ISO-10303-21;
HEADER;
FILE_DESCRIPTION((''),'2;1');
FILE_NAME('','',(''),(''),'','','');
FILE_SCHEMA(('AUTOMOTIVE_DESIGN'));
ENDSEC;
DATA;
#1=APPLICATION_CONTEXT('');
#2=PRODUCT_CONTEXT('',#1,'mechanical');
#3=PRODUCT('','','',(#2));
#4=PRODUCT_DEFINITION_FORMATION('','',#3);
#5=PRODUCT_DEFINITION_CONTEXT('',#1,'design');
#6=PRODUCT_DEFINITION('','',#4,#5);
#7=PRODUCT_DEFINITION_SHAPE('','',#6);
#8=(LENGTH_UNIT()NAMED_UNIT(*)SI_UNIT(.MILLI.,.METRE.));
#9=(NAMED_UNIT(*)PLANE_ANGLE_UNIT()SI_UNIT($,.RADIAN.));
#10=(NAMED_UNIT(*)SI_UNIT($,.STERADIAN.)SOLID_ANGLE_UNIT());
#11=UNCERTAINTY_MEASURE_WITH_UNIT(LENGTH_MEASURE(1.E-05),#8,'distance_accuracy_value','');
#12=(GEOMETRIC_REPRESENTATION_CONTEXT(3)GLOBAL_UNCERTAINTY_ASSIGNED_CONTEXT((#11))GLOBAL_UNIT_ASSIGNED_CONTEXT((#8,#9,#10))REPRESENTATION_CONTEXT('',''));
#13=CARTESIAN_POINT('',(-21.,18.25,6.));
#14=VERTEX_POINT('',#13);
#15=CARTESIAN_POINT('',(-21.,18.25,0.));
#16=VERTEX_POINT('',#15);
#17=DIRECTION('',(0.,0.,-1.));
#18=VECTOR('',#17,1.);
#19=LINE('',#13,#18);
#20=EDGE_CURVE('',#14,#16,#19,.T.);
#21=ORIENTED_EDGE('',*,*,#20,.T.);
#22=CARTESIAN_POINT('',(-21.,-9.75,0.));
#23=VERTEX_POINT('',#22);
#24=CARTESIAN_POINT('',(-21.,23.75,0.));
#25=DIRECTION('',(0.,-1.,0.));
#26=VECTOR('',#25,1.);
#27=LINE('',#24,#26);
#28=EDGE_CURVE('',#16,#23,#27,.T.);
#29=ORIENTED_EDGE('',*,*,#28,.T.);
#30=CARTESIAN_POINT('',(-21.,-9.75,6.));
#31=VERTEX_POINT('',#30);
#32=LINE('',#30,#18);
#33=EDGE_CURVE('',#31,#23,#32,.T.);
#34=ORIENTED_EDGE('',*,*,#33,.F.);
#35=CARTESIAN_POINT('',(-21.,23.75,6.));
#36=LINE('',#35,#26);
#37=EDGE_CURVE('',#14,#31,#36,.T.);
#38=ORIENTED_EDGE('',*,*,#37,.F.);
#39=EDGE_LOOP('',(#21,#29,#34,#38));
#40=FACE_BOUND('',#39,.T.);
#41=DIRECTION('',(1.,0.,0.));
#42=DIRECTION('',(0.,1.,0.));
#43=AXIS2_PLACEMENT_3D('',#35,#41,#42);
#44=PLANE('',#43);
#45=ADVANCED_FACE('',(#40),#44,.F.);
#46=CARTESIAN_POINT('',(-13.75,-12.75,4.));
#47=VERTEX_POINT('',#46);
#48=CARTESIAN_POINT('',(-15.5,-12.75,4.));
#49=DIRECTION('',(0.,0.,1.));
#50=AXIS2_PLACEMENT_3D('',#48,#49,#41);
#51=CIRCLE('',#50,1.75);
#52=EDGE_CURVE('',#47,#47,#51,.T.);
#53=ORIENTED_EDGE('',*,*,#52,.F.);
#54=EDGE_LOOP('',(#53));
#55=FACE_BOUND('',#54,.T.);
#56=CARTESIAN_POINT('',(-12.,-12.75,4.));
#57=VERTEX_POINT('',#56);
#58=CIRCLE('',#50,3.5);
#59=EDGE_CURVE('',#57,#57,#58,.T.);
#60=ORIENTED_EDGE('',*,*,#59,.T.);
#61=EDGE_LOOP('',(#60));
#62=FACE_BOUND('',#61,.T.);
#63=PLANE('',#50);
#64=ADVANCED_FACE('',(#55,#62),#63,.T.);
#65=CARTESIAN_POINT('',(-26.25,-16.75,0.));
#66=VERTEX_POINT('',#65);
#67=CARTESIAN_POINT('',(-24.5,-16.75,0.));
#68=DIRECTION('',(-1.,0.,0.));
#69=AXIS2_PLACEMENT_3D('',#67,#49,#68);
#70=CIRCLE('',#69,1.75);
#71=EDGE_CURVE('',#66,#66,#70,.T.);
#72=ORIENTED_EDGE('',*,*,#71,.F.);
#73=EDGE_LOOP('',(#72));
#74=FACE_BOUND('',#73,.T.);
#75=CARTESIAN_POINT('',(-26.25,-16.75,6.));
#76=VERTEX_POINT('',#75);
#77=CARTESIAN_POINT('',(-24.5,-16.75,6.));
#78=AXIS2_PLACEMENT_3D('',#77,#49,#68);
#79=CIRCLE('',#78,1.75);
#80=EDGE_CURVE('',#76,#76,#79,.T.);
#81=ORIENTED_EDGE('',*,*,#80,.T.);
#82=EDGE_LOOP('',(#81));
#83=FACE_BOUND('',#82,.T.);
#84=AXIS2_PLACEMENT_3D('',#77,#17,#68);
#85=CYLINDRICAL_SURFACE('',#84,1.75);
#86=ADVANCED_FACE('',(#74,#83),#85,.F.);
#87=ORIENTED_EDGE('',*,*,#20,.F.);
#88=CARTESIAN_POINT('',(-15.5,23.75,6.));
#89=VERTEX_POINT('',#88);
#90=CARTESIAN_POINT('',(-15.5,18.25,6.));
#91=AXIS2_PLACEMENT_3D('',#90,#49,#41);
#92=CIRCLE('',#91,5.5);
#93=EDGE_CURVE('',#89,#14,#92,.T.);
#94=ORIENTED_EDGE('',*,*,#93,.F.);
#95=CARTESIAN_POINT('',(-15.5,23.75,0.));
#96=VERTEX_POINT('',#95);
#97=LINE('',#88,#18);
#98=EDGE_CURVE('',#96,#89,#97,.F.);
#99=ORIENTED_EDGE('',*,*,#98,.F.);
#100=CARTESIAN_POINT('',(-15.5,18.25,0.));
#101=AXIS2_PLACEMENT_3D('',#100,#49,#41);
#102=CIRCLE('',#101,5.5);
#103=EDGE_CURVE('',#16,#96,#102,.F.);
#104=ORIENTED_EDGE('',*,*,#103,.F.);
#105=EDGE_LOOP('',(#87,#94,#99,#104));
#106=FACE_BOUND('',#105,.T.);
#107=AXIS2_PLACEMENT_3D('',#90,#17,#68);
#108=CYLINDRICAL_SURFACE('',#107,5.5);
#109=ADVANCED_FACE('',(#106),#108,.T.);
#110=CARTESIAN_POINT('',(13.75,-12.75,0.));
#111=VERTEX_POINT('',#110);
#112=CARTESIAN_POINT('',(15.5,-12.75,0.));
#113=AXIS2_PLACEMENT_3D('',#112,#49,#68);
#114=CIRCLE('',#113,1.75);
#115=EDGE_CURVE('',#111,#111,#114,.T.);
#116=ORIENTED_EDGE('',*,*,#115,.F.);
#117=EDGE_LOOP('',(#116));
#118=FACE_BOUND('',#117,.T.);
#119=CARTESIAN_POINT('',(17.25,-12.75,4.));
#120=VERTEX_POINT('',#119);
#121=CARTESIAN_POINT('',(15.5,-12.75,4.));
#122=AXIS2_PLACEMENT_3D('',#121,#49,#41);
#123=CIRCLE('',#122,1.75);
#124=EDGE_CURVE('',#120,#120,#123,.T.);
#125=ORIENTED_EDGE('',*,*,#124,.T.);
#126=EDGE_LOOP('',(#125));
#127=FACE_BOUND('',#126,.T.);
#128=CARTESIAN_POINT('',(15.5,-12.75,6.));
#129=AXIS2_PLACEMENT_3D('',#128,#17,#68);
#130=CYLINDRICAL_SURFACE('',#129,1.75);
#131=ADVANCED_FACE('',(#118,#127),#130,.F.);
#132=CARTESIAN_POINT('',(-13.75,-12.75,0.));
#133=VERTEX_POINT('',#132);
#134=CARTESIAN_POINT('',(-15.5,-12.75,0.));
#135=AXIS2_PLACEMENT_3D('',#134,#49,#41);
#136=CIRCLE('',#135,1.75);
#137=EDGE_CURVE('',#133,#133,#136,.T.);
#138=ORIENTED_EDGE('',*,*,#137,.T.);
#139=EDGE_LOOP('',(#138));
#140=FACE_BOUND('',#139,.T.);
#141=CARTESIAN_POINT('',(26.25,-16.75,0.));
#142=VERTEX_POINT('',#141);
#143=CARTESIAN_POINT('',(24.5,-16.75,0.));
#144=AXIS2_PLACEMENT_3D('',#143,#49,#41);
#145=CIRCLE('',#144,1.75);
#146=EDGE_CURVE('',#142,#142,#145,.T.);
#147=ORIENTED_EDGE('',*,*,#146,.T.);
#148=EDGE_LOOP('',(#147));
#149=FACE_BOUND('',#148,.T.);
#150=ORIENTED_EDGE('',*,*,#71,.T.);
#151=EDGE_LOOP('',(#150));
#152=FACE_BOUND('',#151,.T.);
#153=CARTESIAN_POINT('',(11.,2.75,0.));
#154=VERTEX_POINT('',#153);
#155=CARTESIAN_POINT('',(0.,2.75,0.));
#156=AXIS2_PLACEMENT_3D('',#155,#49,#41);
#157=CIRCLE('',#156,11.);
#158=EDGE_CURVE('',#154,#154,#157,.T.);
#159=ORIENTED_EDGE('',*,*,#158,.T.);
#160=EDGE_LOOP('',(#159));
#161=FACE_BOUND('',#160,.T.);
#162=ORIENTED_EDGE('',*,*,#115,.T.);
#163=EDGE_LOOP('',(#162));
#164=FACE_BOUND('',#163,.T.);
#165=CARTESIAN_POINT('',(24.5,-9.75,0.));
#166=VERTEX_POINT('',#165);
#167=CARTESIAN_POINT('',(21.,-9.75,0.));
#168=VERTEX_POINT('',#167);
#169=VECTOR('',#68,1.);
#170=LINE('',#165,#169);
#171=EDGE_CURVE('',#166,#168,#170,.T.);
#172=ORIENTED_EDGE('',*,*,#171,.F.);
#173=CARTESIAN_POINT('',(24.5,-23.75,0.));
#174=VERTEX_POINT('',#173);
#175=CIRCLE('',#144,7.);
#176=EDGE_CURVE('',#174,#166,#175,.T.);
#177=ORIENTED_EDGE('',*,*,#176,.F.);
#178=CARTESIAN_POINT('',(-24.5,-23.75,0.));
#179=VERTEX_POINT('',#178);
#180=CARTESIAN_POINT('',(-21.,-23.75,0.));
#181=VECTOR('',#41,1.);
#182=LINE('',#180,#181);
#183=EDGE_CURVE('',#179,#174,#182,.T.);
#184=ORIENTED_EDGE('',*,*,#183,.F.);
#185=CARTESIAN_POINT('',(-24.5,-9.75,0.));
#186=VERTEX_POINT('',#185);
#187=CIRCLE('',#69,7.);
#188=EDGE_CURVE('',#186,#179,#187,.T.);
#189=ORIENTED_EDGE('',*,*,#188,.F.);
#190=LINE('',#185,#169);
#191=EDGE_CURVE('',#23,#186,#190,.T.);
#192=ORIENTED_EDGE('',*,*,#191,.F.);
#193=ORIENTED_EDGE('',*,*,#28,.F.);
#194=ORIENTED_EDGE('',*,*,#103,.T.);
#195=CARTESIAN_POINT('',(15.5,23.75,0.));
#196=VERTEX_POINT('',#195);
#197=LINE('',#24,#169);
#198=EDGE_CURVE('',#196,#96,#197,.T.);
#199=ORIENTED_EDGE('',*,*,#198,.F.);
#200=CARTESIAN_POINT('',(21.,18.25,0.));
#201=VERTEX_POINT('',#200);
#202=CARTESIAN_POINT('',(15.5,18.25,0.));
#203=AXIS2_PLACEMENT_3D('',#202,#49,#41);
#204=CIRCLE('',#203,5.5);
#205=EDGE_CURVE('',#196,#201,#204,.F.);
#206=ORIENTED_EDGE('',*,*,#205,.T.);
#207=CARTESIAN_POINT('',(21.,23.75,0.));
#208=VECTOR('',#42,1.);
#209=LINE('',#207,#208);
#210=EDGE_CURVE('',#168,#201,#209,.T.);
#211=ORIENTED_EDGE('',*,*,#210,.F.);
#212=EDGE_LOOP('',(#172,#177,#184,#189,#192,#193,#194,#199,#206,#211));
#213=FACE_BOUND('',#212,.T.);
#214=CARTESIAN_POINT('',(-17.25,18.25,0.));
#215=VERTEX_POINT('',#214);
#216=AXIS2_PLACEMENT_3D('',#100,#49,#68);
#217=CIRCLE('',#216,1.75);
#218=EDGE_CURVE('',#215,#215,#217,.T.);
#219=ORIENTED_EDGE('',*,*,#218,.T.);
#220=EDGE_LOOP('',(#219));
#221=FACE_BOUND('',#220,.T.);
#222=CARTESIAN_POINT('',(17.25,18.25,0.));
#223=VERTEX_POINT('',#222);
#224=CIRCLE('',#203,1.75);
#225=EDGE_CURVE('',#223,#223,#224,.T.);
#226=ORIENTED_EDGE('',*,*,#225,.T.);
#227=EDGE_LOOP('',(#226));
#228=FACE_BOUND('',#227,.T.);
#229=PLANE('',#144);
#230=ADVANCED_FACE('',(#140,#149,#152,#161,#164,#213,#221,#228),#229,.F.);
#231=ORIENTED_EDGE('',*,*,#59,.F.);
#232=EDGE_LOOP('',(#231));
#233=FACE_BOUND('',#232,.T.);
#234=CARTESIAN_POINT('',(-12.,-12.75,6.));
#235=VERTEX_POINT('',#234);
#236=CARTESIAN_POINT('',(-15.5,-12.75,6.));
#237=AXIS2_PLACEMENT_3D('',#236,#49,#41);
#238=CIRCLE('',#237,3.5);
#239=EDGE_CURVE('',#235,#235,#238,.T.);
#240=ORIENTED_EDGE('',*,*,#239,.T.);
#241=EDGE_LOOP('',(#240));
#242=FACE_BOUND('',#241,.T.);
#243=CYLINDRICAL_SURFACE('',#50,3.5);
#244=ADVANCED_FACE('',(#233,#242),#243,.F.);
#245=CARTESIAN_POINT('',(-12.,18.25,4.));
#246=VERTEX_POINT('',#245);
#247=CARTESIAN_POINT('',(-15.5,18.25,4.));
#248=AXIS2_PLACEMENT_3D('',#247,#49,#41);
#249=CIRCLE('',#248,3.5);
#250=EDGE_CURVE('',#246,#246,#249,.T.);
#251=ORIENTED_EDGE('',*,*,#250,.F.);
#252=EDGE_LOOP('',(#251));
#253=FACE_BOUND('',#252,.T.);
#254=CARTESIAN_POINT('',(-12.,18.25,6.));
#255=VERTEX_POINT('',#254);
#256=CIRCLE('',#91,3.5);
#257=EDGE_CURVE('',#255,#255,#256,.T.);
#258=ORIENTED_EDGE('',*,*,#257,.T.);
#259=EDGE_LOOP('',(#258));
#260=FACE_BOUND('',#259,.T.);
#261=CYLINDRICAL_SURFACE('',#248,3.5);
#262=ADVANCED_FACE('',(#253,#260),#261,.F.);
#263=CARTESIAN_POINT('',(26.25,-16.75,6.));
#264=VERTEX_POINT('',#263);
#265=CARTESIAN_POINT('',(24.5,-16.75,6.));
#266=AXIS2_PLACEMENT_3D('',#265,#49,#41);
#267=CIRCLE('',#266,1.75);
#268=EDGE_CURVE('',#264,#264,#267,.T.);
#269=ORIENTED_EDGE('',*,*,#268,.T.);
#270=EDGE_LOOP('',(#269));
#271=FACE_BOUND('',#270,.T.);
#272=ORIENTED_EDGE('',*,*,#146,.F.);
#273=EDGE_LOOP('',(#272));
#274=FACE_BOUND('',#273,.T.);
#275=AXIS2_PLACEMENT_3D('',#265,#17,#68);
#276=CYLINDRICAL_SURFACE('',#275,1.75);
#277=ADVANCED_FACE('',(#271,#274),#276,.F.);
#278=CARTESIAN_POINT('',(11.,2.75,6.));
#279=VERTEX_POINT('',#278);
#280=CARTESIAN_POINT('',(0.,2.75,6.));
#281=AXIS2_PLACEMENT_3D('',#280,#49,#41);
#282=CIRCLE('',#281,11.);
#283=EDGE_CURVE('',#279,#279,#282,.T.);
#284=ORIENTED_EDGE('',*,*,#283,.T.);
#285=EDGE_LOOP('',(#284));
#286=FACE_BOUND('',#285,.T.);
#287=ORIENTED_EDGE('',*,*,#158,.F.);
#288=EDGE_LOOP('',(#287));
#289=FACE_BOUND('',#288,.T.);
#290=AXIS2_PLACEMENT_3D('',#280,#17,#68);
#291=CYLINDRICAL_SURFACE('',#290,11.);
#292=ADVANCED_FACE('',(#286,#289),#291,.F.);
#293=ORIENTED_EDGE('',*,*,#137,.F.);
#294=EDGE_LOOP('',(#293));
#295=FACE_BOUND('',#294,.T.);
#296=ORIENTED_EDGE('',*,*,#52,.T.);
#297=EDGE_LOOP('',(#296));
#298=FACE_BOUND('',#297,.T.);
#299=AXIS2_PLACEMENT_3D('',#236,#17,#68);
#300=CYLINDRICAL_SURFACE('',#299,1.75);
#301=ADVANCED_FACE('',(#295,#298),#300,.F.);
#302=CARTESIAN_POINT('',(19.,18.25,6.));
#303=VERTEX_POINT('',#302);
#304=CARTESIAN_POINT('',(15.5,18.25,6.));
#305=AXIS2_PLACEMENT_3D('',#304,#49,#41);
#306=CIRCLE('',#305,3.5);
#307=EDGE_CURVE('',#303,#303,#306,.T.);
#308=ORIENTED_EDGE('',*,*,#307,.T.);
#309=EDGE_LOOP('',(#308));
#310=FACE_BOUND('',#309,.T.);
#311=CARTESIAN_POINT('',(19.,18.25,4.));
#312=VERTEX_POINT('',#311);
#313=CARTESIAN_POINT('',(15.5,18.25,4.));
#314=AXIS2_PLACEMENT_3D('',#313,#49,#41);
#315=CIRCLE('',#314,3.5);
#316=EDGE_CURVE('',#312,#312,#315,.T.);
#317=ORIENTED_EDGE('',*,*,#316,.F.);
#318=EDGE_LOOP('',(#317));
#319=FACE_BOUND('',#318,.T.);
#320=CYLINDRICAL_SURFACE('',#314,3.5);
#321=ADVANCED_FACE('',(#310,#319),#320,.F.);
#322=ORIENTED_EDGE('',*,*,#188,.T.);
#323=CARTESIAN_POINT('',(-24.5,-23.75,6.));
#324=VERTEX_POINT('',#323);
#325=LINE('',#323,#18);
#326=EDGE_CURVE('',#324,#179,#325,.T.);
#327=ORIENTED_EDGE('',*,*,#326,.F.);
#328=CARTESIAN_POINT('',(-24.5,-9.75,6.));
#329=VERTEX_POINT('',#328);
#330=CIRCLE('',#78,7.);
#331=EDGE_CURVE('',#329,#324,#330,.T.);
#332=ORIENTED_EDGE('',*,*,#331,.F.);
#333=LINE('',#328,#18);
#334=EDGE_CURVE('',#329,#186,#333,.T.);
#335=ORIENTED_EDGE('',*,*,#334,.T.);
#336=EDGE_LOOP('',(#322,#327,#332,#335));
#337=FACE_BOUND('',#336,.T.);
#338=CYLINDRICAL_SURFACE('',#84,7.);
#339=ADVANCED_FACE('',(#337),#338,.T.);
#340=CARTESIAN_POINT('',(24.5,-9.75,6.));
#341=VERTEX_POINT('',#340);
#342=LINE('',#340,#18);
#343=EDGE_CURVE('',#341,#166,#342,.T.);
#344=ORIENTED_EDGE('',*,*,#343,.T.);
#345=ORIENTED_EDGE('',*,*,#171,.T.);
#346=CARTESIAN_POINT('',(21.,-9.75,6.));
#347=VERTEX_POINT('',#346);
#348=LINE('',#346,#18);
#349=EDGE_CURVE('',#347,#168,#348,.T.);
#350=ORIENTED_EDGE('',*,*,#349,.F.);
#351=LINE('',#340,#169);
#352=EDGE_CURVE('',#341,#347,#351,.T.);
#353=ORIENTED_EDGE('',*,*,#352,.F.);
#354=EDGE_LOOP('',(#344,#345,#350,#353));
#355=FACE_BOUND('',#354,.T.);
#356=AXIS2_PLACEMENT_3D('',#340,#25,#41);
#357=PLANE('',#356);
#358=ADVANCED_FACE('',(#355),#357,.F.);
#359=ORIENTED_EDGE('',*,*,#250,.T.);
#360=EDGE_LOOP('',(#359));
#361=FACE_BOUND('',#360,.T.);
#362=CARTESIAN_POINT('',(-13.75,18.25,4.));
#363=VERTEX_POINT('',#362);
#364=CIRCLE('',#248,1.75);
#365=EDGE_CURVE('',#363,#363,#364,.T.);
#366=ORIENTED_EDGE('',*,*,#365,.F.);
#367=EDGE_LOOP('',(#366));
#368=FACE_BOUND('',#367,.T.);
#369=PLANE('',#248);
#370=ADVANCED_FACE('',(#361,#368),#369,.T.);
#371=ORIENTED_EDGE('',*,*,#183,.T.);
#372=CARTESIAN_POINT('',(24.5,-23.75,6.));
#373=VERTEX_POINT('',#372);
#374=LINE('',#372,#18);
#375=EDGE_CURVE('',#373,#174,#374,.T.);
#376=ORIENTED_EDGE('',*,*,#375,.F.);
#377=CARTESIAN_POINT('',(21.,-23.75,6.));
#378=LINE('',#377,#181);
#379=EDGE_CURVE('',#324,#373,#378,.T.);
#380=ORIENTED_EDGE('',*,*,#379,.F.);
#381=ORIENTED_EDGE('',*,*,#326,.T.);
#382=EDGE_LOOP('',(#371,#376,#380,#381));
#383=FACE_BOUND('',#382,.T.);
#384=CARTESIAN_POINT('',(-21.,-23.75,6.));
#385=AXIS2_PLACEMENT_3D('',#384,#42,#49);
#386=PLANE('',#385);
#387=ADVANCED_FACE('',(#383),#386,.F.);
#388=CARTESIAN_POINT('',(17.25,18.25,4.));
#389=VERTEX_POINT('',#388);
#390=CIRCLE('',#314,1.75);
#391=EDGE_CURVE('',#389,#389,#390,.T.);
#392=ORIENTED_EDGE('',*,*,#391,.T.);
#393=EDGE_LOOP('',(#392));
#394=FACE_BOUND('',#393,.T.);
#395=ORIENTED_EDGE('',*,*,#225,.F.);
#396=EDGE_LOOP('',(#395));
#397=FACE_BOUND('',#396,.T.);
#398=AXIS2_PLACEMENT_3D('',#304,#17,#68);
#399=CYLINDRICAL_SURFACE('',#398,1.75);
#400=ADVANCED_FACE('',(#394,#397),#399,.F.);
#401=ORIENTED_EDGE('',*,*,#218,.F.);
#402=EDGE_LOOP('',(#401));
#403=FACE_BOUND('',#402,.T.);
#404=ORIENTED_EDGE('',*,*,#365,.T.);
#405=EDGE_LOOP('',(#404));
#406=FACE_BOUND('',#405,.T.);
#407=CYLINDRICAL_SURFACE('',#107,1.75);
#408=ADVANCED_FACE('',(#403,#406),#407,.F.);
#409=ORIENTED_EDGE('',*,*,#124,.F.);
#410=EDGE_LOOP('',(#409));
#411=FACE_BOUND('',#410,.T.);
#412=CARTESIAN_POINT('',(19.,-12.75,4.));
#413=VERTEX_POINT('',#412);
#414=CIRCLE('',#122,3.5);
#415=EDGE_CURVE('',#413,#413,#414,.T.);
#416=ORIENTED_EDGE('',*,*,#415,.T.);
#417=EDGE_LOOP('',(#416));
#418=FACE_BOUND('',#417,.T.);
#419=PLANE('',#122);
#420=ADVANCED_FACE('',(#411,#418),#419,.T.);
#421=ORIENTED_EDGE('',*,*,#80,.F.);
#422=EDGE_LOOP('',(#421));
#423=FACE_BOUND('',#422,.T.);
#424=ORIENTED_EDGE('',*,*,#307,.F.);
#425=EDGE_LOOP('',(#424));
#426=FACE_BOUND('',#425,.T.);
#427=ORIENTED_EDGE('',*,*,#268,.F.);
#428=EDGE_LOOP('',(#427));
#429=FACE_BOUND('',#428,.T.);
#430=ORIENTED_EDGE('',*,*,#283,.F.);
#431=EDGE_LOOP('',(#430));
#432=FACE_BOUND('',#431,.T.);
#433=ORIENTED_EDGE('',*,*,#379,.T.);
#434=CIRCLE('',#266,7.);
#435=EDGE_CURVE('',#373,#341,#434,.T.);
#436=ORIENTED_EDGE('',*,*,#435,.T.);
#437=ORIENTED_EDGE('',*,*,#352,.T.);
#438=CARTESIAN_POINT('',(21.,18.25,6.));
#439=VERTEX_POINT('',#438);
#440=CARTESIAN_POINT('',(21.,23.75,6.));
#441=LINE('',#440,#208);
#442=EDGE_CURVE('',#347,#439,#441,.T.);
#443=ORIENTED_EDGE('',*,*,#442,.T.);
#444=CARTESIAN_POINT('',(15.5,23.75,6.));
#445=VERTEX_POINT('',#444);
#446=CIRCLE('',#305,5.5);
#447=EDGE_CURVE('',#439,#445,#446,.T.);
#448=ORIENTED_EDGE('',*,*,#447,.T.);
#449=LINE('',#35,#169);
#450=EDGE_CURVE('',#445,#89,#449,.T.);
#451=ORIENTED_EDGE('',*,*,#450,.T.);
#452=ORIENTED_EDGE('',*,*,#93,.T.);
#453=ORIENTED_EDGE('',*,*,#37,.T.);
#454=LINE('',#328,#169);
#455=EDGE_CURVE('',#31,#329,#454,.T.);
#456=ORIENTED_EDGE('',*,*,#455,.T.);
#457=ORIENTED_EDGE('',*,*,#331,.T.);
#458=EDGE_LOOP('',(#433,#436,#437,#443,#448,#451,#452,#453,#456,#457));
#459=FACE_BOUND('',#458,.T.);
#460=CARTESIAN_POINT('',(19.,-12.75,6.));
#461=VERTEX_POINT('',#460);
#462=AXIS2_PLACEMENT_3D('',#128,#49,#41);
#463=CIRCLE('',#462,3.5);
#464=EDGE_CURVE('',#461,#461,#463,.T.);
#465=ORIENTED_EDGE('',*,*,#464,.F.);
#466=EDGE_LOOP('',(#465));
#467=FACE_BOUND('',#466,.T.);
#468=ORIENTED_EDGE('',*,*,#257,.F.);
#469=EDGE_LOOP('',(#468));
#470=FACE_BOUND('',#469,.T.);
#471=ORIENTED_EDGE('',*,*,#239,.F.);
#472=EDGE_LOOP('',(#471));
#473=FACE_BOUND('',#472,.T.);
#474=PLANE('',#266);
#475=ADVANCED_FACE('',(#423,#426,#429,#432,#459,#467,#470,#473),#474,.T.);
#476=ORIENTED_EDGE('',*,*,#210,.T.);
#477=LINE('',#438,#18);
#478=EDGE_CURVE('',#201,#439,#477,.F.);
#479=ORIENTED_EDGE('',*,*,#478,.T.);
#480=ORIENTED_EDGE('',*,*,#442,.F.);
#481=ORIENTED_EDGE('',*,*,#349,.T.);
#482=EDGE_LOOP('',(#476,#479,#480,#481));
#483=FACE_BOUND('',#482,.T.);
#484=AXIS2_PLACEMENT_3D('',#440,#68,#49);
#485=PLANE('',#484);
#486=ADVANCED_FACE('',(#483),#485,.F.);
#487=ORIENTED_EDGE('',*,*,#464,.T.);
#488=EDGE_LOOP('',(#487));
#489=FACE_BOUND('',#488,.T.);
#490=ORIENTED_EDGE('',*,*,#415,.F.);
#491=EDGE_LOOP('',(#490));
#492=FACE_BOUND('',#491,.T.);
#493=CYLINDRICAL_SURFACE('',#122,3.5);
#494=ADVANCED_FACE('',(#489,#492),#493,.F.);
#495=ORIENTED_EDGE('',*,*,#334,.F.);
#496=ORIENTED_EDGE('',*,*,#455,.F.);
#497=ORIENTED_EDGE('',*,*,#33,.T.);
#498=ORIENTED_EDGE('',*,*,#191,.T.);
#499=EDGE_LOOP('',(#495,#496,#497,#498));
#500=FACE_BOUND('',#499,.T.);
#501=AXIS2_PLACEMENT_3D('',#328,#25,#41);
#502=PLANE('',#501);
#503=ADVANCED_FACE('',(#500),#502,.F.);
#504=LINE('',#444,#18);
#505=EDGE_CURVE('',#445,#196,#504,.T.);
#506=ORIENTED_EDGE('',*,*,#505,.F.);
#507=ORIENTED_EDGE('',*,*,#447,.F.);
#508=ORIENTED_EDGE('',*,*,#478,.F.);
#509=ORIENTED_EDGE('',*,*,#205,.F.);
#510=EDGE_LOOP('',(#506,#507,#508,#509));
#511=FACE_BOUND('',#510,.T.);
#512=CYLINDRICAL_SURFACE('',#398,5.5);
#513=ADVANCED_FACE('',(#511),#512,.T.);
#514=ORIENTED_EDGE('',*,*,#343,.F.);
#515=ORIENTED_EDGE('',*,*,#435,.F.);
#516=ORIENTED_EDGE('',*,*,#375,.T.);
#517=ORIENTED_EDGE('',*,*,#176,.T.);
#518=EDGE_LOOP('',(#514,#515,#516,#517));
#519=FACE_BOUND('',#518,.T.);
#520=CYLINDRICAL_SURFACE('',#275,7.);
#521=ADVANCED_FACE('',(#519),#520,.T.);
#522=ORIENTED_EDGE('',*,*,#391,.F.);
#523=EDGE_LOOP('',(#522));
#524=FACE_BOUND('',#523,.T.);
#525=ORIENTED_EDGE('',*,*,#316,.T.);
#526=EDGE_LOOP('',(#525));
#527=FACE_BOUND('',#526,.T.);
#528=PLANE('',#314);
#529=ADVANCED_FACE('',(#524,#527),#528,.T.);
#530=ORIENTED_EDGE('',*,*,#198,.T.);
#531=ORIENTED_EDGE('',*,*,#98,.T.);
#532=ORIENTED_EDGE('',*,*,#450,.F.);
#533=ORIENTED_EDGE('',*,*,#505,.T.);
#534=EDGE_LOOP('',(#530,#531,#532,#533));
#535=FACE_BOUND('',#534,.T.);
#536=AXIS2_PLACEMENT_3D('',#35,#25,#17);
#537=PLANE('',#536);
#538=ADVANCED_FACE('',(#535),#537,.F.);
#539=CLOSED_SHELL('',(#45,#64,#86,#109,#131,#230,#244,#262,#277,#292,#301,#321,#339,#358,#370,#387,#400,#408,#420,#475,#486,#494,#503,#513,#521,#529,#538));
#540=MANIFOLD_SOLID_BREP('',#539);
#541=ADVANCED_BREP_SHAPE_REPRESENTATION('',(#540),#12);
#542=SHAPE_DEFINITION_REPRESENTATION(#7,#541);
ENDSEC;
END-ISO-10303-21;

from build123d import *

# Parameters (mm, degrees)
ESBO_O1_R                = 1.75
ESBO_O1_R_2              = 11
RESSALTO_EXTRUS_O1_DEPTH = 6
FILETE1_R                = 5.5
ESBO_O2_R                = 3.5
CORTE_EXTRUS_O1_DEPTH    = 2


with BuildPart() as part:
    # Esboço1 → Ressalto-extrusão1 (new body)
    with BuildSketch(Plane.XY):
        with BuildLine():
            Line((-21, 23.75), (21, 23.75))
            Line((21, 23.75), (21, -9.75))
            Line((21, -9.75), (24.5, -9.75))
            ThreePointArc((24.5, -9.75), (31.5, -16.75), (24.5, -23.75))
            Line((24.5, -23.75), (21, -23.75))
            Line((21, -23.75), (-21, -23.75))
            Line((-21, -23.75), (-24.5, -23.75))
            ThreePointArc((-24.5, -23.75), (-31.5, -16.75), (-24.5, -9.75))
            Line((-24.5, -9.75), (-21, -9.75))
            Line((-21, -9.75), (-21, 23.75))
        make_face()
        with Locations((24.5, -16.75)):
            Circle(ESBO_O1_R, mode=Mode.SUBTRACT)
        with Locations((0, 2.75)):
            Circle(ESBO_O1_R_2, mode=Mode.SUBTRACT)
        with Locations((15.5, 18.25)):
            Circle(ESBO_O1_R, mode=Mode.SUBTRACT)
        with Locations((15.5, -12.75)):
            Circle(ESBO_O1_R, mode=Mode.SUBTRACT)
        with Locations((-15.5, 18.25)):
            Circle(ESBO_O1_R, mode=Mode.SUBTRACT)
        with Locations((-15.5, -12.75)):
            Circle(ESBO_O1_R, mode=Mode.SUBTRACT)
        with Locations((-24.5, -16.75)):
            Circle(ESBO_O1_R, mode=Mode.SUBTRACT)
    extrude(amount=RESSALTO_EXTRUS_O1_DEPTH)

    # Filete1
    filete1_edges = [part.edges().sort_by_distance(p)[0] for p in [
        (-21, 23.75, 3),
        (21, 23.75, 3),
    ]]
    fillet(filete1_edges, radius=FILETE1_R)

    # Esboço2 → Corte-extrusão1 (cut)
    with BuildSketch(Plane.XY.offset(6)):
        with Locations((-15.5, 18.25)):
            Circle(ESBO_O2_R)
        with Locations((15.5, 18.25)):
            Circle(ESBO_O2_R)
        with Locations((15.5, -12.75)):
            Circle(ESBO_O2_R)
        with Locations((-15.5, -12.75)):
            Circle(ESBO_O2_R)
    extrude(amount=-CORTE_EXTRUS_O1_DEPTH, mode=Mode.SUBTRACT)


solid = part.part
